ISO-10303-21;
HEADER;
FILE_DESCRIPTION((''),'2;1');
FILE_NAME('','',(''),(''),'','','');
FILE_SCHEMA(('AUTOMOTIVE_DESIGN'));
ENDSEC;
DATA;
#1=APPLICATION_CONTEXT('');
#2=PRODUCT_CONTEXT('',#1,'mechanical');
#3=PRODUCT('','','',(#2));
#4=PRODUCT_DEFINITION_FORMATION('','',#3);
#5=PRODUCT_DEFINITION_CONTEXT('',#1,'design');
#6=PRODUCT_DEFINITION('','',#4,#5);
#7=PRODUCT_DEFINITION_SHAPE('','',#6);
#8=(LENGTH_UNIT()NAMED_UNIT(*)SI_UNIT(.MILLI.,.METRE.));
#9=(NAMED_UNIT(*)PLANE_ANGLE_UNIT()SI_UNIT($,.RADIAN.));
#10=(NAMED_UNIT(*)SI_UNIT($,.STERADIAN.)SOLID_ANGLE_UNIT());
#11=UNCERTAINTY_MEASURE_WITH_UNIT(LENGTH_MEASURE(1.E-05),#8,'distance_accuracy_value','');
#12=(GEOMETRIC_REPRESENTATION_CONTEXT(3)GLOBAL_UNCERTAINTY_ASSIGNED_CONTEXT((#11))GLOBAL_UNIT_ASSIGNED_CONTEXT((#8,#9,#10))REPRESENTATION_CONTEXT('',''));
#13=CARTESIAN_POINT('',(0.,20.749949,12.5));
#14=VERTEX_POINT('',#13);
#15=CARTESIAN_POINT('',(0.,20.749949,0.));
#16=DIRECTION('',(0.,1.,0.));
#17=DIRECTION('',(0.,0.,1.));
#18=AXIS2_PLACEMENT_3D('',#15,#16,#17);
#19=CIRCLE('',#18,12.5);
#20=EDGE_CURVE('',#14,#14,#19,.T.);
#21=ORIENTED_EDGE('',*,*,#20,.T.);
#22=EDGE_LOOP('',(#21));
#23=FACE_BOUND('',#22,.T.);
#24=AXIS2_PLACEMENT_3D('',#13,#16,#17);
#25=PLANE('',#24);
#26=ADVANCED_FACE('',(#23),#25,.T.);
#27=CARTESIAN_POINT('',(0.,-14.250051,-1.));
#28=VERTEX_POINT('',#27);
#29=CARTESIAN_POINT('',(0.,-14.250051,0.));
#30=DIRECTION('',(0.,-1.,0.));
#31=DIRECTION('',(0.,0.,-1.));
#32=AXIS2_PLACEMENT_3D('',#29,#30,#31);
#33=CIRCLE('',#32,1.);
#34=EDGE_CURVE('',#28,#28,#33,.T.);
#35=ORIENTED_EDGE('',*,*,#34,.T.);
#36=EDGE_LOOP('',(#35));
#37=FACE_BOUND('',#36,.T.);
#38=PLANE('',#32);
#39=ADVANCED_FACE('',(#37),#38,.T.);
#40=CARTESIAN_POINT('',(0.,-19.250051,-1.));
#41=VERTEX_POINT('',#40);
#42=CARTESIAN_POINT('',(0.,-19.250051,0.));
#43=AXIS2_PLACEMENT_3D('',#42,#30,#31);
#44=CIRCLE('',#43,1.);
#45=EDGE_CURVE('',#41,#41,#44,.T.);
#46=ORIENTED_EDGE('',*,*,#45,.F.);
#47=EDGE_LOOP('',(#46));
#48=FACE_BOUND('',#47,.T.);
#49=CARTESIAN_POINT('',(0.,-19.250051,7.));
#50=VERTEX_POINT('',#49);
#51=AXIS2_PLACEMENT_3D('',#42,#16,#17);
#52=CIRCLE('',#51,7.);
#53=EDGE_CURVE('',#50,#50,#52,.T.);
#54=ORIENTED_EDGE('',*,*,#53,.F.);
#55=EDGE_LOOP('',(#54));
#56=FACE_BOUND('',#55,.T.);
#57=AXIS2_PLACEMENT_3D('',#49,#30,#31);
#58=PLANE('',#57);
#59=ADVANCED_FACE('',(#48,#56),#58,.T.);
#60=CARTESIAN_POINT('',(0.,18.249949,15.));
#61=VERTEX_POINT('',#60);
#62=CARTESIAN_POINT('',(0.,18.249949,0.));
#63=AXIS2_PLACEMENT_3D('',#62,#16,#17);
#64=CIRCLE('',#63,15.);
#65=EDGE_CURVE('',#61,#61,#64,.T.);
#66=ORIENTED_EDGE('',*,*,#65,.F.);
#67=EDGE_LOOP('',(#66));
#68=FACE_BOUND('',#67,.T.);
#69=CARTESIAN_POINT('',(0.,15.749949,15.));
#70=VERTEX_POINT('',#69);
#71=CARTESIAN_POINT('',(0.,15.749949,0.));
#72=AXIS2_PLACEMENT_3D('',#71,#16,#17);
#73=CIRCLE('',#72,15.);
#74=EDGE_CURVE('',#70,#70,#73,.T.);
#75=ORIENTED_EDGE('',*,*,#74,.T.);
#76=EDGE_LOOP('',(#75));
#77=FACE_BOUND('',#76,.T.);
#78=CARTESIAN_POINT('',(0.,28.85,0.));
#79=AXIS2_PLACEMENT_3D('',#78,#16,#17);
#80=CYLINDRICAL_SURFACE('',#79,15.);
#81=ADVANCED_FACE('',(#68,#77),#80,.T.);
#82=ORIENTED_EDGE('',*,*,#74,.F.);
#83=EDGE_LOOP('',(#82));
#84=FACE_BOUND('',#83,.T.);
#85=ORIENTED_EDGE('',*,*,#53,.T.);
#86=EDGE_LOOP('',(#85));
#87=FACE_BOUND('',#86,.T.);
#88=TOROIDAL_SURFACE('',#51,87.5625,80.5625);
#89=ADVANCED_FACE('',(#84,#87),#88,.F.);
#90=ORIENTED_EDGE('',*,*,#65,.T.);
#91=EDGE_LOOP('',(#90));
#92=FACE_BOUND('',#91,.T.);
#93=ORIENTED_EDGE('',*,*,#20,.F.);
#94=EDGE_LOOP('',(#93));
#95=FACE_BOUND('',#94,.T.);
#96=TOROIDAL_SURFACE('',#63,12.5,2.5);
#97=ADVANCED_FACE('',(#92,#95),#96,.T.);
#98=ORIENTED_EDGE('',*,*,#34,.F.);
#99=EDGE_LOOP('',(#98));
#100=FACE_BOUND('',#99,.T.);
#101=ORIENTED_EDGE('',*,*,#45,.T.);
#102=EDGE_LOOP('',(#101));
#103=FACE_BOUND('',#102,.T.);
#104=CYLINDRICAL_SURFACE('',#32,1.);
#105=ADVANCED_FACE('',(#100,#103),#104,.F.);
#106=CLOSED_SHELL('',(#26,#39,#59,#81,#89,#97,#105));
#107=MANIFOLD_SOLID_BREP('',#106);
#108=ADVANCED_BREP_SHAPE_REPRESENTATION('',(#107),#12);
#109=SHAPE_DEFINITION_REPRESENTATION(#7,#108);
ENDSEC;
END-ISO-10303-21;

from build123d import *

# Parameters (mm, degrees)
SKETCH2_R          = 1
CUT_EXTRUDE1_DEPTH = 5


with BuildPart() as part:
    # Sketch1 → Revolve1 (revolve)
    with BuildSketch(Plane(origin=(0, 0, 0), x_dir=(0, 0, -1), z_dir=(1, 0, 0))):
        with BuildLine():
            Line((-7, -19.250050998), (0, -19.250050998))
            Line((0, -19.250050998), (0, 20.749949002))
            Line((0, 20.749949002), (-12.5, 20.749949002))
            ThreePointArc((-12.5, 20.749949002), (-14.267766953, 20.017715955), (-15, 18.249949002))
            Line((-15, 18.249949002), (-15, 15.749949002))
            ThreePointArc((-15, 15.749949002), (-9.025461564, -1.298727927), (-7, -19.250050998))
        make_face()
    revolve(axis=Axis((0, 28.85, 0), (0, -1, 0)))

    # Sketch2 → Cut-Extrude1 (cut)
    with BuildSketch(Plane.XZ.offset(19.250050998)):
        with Locations(Location((0, 0, 0), (0, 0, 270))):
            Circle(SKETCH2_R)
    extrude(amount=-CUT_EXTRUDE1_DEPTH, mode=Mode.SUBTRACT)


solid = part.part
